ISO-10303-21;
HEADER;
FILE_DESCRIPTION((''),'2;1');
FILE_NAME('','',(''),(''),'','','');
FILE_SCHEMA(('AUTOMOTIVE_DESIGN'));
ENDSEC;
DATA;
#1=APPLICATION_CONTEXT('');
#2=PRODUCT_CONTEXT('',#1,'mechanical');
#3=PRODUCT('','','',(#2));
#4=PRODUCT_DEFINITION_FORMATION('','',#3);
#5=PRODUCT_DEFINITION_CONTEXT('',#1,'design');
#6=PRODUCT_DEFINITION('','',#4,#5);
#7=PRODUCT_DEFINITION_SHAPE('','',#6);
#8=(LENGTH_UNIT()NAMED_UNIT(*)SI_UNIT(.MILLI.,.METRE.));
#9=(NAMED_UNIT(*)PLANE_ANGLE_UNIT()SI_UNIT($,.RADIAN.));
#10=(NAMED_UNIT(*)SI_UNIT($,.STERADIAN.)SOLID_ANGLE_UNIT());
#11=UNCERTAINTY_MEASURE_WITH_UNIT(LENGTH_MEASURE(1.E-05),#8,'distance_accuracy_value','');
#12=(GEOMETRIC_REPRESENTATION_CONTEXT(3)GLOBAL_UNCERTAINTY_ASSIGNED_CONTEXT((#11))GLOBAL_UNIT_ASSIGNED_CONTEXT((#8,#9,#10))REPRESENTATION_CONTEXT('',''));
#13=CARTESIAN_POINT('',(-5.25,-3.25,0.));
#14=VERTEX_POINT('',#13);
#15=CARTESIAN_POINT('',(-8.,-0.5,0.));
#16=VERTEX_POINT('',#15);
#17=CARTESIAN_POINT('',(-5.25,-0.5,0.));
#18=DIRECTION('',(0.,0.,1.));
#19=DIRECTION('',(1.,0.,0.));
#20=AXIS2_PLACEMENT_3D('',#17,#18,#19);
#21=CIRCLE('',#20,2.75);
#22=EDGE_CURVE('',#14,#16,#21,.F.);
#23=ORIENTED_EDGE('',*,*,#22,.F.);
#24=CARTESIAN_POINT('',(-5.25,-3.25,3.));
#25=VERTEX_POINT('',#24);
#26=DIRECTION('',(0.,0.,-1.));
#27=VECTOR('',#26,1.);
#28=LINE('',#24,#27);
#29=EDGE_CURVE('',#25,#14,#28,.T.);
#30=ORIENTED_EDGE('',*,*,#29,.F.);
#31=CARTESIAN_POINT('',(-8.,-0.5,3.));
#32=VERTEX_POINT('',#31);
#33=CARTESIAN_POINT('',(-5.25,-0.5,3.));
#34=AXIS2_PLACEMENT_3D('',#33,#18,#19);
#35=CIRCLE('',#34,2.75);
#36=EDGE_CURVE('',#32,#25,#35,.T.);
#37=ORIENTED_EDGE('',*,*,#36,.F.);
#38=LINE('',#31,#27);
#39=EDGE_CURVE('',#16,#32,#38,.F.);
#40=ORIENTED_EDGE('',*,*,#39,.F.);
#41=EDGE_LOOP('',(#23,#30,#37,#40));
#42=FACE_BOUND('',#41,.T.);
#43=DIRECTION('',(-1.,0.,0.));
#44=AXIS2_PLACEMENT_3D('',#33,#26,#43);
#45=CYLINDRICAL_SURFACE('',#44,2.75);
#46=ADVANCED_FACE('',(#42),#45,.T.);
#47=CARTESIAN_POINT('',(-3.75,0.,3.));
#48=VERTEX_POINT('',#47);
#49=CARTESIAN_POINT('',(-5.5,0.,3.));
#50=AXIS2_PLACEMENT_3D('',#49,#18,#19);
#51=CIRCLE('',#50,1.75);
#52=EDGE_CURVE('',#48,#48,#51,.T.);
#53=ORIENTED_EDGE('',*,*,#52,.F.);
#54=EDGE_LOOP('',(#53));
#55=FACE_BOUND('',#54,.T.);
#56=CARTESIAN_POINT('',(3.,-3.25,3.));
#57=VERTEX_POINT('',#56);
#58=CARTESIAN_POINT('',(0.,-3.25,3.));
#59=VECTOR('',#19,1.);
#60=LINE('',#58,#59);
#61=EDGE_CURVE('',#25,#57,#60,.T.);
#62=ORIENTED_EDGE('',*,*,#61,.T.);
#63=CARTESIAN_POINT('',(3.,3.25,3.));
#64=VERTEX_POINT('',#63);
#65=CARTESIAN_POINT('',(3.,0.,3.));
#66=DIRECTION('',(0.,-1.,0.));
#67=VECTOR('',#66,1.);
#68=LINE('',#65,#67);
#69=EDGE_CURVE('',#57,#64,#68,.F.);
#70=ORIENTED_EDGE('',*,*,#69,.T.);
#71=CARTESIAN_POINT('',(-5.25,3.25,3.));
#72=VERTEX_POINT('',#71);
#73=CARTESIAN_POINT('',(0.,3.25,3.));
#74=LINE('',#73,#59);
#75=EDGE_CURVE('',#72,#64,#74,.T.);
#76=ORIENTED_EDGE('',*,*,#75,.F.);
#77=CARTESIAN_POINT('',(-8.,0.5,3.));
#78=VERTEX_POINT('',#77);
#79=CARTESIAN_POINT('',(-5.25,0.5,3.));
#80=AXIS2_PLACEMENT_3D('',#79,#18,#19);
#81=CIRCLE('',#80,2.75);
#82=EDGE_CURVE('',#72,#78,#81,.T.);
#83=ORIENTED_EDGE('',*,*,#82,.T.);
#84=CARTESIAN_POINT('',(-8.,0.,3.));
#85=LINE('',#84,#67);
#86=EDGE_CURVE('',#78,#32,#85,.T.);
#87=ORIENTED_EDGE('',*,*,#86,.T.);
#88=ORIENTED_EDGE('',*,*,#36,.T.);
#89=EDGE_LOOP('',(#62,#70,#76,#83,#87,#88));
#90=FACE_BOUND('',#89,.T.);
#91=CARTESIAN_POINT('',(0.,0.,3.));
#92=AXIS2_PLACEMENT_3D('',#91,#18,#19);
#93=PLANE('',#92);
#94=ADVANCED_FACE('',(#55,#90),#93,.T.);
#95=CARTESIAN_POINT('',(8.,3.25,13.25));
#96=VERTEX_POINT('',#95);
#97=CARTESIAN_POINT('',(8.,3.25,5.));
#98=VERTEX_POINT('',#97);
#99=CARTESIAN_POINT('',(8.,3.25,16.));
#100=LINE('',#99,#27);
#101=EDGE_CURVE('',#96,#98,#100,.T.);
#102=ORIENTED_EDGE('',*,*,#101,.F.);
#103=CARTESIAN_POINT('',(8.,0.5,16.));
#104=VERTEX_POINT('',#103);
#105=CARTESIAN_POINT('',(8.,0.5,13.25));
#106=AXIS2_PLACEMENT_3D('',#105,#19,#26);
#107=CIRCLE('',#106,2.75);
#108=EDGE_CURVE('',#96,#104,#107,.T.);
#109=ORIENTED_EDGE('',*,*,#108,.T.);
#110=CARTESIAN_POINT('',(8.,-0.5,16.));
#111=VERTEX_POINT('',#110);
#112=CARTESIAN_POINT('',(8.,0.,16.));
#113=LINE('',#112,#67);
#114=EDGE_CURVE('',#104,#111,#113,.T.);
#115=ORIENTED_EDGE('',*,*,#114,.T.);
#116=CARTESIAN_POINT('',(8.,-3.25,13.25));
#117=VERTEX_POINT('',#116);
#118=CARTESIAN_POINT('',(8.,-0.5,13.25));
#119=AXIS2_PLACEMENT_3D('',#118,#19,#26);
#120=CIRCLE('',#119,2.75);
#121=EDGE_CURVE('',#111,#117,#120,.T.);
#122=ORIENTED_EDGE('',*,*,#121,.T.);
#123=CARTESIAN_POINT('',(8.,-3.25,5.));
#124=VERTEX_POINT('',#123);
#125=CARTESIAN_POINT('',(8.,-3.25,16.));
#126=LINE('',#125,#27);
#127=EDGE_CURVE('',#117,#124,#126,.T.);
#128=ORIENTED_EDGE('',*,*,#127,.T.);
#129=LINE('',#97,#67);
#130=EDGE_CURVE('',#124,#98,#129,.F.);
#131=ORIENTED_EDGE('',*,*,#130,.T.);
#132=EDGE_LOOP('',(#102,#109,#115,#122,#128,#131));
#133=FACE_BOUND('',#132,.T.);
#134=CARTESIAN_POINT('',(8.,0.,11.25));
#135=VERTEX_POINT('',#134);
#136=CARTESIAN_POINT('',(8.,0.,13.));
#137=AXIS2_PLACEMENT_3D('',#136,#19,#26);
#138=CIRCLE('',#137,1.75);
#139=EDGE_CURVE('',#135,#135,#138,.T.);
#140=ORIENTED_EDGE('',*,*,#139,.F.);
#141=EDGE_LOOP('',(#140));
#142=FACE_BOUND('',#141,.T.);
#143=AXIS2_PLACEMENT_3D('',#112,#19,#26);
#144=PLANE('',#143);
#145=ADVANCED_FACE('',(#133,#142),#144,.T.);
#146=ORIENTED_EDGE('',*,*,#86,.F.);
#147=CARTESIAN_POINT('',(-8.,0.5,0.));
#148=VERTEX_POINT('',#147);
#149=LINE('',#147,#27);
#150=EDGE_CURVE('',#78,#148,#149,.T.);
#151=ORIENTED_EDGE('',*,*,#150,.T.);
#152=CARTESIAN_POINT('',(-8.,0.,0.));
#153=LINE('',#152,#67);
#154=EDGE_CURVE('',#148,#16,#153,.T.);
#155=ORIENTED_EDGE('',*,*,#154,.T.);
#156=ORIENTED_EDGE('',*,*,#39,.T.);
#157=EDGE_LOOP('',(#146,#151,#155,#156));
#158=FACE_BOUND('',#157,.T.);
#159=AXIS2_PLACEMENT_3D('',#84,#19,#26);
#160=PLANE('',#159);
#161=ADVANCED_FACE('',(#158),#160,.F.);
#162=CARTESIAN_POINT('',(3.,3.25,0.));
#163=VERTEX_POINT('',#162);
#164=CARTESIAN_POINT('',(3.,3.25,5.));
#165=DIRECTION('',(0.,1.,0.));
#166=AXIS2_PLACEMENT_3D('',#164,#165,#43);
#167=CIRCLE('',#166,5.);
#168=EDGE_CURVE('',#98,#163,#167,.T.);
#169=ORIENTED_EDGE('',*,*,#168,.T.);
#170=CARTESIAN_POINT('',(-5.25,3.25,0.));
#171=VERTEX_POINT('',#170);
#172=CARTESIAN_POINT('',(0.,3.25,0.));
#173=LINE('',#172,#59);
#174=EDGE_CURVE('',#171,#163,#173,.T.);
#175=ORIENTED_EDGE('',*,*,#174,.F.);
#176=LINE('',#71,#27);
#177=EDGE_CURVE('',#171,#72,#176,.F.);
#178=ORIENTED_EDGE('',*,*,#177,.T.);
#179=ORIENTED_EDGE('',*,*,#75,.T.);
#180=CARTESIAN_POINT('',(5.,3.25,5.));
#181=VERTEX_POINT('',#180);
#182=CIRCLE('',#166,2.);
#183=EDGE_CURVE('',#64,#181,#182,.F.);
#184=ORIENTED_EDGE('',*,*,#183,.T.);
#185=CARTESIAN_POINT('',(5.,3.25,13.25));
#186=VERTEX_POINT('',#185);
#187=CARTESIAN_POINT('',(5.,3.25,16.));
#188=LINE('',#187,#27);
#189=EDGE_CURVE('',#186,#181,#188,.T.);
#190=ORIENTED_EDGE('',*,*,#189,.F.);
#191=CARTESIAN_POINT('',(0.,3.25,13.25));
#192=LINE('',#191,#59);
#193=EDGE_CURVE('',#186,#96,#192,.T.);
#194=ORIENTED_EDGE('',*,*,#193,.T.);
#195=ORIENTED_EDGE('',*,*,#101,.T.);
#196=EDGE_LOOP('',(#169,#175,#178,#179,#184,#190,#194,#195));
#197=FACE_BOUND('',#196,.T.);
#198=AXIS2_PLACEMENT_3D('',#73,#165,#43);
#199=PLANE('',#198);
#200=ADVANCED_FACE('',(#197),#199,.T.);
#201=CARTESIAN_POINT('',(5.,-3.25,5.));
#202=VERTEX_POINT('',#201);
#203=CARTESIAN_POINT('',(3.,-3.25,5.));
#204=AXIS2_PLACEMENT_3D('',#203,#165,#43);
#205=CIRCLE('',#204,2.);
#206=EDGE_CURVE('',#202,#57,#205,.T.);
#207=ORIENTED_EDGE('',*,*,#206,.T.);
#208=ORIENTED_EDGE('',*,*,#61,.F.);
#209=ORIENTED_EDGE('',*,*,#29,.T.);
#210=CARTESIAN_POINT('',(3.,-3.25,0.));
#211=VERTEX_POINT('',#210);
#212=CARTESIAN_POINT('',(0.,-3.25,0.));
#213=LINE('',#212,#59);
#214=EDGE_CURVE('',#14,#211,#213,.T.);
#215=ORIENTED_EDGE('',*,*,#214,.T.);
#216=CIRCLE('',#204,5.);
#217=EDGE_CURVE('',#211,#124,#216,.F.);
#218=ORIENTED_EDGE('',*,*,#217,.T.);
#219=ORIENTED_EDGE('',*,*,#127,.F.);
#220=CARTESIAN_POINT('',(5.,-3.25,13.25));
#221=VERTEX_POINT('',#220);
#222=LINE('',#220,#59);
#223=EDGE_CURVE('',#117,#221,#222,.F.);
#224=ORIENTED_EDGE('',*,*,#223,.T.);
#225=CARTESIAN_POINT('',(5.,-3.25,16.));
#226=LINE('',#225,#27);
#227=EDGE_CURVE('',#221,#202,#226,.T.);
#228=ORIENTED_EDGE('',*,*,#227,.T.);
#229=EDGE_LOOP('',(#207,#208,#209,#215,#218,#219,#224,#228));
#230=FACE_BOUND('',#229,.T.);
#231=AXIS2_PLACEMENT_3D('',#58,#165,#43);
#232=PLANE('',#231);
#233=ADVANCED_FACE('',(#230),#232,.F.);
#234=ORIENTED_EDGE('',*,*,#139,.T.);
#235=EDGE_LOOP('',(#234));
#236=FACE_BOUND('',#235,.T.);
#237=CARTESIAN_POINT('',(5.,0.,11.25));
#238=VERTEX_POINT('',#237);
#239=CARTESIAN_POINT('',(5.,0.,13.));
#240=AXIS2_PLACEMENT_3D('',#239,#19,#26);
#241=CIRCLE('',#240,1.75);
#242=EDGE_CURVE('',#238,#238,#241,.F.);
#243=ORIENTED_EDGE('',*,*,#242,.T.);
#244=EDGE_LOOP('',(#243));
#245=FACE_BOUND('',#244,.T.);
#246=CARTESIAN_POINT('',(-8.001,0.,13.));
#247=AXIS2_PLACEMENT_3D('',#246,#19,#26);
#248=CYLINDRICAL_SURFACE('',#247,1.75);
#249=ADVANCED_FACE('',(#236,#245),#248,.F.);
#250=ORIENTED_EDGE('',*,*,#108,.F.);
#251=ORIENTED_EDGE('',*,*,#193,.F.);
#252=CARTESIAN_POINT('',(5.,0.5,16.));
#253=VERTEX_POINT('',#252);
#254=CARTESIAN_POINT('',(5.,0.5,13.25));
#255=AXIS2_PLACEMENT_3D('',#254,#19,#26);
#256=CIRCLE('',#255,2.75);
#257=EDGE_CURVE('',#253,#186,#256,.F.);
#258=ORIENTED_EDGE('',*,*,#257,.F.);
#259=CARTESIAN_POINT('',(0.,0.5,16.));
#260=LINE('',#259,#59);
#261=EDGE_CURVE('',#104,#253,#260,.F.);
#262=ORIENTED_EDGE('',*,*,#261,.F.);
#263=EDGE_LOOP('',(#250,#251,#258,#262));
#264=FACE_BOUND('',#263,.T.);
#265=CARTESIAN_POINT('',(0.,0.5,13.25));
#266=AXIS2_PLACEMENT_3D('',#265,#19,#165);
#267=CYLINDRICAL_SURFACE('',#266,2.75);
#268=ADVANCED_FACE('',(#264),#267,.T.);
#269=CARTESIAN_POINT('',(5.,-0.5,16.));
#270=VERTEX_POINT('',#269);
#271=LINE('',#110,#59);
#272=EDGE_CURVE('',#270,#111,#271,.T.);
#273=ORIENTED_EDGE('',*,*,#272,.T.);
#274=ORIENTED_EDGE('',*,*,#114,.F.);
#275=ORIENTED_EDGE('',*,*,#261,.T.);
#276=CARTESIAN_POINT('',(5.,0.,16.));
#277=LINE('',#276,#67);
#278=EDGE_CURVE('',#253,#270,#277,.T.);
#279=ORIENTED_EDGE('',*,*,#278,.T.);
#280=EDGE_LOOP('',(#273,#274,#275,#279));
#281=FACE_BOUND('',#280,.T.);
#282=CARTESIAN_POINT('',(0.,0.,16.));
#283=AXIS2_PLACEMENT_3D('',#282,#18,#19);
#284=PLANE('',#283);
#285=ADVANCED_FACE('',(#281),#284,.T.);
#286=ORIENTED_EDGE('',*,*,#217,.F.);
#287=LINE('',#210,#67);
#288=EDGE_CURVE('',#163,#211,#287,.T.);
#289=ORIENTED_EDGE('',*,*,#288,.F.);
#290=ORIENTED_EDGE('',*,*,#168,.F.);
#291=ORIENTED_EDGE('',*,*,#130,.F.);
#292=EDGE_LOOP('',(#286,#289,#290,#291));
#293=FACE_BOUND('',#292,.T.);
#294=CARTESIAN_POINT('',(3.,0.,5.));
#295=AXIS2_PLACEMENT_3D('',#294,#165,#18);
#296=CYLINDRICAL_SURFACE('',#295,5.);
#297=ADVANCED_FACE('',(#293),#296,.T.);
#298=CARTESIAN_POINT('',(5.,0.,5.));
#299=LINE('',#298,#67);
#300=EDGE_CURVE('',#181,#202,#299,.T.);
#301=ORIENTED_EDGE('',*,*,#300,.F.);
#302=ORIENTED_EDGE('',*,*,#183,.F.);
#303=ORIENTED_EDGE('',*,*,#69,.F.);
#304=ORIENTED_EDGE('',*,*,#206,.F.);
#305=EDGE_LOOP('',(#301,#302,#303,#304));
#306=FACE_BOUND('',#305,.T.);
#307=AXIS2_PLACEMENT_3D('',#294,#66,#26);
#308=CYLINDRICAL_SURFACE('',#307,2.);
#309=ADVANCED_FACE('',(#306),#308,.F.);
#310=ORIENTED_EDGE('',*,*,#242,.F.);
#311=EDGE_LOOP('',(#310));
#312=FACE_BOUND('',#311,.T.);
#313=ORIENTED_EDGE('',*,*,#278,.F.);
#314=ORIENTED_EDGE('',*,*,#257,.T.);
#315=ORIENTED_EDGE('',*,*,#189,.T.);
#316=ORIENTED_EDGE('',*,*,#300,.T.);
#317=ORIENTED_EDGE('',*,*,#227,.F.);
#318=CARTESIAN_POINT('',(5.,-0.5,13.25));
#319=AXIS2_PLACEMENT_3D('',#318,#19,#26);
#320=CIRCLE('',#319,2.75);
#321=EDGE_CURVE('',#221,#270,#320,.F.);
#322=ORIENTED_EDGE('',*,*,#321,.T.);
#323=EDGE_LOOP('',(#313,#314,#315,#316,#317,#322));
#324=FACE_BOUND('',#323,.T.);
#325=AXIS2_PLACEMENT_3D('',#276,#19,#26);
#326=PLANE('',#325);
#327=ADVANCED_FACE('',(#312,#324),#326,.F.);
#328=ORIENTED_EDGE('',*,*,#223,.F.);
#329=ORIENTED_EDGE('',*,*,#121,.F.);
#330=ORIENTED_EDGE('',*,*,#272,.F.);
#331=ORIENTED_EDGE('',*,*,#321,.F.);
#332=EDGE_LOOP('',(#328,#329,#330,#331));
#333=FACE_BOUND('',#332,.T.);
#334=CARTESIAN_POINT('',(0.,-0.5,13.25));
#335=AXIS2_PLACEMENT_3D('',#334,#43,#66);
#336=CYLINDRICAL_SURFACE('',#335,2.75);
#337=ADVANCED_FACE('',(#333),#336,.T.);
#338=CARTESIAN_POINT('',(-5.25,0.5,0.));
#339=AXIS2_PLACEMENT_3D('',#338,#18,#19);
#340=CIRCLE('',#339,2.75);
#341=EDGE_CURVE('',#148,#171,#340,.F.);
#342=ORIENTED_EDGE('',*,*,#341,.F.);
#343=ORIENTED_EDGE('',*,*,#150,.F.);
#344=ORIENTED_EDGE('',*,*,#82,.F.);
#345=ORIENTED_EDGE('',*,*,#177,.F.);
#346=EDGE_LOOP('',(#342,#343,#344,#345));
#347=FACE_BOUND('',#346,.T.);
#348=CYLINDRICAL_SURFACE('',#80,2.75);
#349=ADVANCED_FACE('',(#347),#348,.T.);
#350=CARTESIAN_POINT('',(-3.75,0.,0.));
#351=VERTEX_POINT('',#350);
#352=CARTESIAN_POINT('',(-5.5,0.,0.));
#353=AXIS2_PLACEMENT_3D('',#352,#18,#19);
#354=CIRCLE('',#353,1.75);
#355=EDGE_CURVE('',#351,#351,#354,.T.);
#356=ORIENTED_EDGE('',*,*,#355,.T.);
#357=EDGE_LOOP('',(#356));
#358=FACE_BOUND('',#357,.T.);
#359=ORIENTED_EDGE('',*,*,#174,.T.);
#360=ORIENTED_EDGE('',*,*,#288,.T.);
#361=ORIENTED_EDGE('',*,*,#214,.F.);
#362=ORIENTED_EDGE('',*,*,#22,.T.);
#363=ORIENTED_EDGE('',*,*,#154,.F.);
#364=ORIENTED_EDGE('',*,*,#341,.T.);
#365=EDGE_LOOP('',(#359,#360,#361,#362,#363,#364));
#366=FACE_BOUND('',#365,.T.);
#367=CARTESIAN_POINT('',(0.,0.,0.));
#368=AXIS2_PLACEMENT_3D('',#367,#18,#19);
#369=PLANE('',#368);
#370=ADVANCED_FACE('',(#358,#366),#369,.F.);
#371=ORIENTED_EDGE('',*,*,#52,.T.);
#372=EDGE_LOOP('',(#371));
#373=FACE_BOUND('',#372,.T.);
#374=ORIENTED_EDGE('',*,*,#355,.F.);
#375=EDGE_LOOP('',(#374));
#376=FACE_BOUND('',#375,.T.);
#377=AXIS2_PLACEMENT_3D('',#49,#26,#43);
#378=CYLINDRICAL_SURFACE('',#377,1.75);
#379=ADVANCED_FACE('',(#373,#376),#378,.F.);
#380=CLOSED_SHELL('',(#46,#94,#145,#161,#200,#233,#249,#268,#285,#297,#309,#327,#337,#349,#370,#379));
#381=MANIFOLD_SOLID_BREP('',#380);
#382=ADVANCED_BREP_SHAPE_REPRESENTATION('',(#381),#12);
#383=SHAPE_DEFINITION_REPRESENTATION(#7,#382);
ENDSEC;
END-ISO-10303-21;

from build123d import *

# Parameters (mm, degrees)
ESQUISSE1_W             = 13
ESQUISSE1_H             = 6.5
ESQUISSE1_R             = 1.75
BOSS_EXTRU_1_DEPTH      = 3
ESQUISSE1_3_W           = 3
ESQUISSE1_3_H           = 6.5
BOSS_EXTRU_2_DEPTH      = 16
ENL_V_MAT_EXTRU_1_REACH = 24.86
ESQUISSE2_R             = 1.75
CONG_1_R                = 2.75
CONG_2_R                = 2
CONG_3_R                = 5


with BuildPart() as part:
    # Esquisse1 → Boss.-Extru.1 (new body)
    with BuildSketch(Plane.XY):
        with Locations((-1.5, 0)):
            Rectangle(ESQUISSE1_W, ESQUISSE1_H)
        with Locations((-5.5, 0)):
            Circle(ESQUISSE1_R, mode=Mode.SUBTRACT)
    extrude(amount=BOSS_EXTRU_1_DEPTH)

    # Esquisse1<3> → Boss.-Extru.2 (add)
    with BuildSketch(Plane.XY):
        with Locations((6.5, 0)):
            Rectangle(ESQUISSE1_3_W, ESQUISSE1_3_H)
    extrude(amount=BOSS_EXTRU_2_DEPTH)

    # Esquisse2 → Enlèv. mat.-Extru.1 (cut, up to next)
    with BuildSketch(Plane(origin=(8, 0, 0), x_dir=(0, 0, -1), z_dir=(1, 0, 0)), mode=Mode.PRIVATE) as enl_v_mat_extru_1_sk1:
        with Locations((-13, 0)):
            Circle(ESQUISSE2_R)
    enl_v_mat_extru_1_tool1 = extrude(enl_v_mat_extru_1_sk1.sketch, amount=-ENL_V_MAT_EXTRU_1_REACH, mode=Mode.PRIVATE) & part.part
    add(enl_v_mat_extru_1_tool1.solids().sort_by_distance((8, 0, 13))[0], mode=Mode.SUBTRACT)

    # Congé1
    cong_1_edges = [part.edges().sort_by_distance(p)[0] for p in [
        (6.5, -3.25, 16),
        (6.5, 3.25, 16),
        (-8, -3.25, 1.5),
        (-8, 3.25, 1.5),
    ]]
    fillet(cong_1_edges, radius=CONG_1_R)

    # Congé2
    cong_2_edges = [part.edges().sort_by_distance(p)[0] for p in [
        (5, 0, 3),
    ]]
    fillet(cong_2_edges, radius=CONG_2_R)

    # Congé3
    cong_3_edges = [part.edges().sort_by_distance(p)[0] for p in [
        (8, 0, 0),
    ]]
    fillet(cong_3_edges, radius=CONG_3_R)


solid = part.part
